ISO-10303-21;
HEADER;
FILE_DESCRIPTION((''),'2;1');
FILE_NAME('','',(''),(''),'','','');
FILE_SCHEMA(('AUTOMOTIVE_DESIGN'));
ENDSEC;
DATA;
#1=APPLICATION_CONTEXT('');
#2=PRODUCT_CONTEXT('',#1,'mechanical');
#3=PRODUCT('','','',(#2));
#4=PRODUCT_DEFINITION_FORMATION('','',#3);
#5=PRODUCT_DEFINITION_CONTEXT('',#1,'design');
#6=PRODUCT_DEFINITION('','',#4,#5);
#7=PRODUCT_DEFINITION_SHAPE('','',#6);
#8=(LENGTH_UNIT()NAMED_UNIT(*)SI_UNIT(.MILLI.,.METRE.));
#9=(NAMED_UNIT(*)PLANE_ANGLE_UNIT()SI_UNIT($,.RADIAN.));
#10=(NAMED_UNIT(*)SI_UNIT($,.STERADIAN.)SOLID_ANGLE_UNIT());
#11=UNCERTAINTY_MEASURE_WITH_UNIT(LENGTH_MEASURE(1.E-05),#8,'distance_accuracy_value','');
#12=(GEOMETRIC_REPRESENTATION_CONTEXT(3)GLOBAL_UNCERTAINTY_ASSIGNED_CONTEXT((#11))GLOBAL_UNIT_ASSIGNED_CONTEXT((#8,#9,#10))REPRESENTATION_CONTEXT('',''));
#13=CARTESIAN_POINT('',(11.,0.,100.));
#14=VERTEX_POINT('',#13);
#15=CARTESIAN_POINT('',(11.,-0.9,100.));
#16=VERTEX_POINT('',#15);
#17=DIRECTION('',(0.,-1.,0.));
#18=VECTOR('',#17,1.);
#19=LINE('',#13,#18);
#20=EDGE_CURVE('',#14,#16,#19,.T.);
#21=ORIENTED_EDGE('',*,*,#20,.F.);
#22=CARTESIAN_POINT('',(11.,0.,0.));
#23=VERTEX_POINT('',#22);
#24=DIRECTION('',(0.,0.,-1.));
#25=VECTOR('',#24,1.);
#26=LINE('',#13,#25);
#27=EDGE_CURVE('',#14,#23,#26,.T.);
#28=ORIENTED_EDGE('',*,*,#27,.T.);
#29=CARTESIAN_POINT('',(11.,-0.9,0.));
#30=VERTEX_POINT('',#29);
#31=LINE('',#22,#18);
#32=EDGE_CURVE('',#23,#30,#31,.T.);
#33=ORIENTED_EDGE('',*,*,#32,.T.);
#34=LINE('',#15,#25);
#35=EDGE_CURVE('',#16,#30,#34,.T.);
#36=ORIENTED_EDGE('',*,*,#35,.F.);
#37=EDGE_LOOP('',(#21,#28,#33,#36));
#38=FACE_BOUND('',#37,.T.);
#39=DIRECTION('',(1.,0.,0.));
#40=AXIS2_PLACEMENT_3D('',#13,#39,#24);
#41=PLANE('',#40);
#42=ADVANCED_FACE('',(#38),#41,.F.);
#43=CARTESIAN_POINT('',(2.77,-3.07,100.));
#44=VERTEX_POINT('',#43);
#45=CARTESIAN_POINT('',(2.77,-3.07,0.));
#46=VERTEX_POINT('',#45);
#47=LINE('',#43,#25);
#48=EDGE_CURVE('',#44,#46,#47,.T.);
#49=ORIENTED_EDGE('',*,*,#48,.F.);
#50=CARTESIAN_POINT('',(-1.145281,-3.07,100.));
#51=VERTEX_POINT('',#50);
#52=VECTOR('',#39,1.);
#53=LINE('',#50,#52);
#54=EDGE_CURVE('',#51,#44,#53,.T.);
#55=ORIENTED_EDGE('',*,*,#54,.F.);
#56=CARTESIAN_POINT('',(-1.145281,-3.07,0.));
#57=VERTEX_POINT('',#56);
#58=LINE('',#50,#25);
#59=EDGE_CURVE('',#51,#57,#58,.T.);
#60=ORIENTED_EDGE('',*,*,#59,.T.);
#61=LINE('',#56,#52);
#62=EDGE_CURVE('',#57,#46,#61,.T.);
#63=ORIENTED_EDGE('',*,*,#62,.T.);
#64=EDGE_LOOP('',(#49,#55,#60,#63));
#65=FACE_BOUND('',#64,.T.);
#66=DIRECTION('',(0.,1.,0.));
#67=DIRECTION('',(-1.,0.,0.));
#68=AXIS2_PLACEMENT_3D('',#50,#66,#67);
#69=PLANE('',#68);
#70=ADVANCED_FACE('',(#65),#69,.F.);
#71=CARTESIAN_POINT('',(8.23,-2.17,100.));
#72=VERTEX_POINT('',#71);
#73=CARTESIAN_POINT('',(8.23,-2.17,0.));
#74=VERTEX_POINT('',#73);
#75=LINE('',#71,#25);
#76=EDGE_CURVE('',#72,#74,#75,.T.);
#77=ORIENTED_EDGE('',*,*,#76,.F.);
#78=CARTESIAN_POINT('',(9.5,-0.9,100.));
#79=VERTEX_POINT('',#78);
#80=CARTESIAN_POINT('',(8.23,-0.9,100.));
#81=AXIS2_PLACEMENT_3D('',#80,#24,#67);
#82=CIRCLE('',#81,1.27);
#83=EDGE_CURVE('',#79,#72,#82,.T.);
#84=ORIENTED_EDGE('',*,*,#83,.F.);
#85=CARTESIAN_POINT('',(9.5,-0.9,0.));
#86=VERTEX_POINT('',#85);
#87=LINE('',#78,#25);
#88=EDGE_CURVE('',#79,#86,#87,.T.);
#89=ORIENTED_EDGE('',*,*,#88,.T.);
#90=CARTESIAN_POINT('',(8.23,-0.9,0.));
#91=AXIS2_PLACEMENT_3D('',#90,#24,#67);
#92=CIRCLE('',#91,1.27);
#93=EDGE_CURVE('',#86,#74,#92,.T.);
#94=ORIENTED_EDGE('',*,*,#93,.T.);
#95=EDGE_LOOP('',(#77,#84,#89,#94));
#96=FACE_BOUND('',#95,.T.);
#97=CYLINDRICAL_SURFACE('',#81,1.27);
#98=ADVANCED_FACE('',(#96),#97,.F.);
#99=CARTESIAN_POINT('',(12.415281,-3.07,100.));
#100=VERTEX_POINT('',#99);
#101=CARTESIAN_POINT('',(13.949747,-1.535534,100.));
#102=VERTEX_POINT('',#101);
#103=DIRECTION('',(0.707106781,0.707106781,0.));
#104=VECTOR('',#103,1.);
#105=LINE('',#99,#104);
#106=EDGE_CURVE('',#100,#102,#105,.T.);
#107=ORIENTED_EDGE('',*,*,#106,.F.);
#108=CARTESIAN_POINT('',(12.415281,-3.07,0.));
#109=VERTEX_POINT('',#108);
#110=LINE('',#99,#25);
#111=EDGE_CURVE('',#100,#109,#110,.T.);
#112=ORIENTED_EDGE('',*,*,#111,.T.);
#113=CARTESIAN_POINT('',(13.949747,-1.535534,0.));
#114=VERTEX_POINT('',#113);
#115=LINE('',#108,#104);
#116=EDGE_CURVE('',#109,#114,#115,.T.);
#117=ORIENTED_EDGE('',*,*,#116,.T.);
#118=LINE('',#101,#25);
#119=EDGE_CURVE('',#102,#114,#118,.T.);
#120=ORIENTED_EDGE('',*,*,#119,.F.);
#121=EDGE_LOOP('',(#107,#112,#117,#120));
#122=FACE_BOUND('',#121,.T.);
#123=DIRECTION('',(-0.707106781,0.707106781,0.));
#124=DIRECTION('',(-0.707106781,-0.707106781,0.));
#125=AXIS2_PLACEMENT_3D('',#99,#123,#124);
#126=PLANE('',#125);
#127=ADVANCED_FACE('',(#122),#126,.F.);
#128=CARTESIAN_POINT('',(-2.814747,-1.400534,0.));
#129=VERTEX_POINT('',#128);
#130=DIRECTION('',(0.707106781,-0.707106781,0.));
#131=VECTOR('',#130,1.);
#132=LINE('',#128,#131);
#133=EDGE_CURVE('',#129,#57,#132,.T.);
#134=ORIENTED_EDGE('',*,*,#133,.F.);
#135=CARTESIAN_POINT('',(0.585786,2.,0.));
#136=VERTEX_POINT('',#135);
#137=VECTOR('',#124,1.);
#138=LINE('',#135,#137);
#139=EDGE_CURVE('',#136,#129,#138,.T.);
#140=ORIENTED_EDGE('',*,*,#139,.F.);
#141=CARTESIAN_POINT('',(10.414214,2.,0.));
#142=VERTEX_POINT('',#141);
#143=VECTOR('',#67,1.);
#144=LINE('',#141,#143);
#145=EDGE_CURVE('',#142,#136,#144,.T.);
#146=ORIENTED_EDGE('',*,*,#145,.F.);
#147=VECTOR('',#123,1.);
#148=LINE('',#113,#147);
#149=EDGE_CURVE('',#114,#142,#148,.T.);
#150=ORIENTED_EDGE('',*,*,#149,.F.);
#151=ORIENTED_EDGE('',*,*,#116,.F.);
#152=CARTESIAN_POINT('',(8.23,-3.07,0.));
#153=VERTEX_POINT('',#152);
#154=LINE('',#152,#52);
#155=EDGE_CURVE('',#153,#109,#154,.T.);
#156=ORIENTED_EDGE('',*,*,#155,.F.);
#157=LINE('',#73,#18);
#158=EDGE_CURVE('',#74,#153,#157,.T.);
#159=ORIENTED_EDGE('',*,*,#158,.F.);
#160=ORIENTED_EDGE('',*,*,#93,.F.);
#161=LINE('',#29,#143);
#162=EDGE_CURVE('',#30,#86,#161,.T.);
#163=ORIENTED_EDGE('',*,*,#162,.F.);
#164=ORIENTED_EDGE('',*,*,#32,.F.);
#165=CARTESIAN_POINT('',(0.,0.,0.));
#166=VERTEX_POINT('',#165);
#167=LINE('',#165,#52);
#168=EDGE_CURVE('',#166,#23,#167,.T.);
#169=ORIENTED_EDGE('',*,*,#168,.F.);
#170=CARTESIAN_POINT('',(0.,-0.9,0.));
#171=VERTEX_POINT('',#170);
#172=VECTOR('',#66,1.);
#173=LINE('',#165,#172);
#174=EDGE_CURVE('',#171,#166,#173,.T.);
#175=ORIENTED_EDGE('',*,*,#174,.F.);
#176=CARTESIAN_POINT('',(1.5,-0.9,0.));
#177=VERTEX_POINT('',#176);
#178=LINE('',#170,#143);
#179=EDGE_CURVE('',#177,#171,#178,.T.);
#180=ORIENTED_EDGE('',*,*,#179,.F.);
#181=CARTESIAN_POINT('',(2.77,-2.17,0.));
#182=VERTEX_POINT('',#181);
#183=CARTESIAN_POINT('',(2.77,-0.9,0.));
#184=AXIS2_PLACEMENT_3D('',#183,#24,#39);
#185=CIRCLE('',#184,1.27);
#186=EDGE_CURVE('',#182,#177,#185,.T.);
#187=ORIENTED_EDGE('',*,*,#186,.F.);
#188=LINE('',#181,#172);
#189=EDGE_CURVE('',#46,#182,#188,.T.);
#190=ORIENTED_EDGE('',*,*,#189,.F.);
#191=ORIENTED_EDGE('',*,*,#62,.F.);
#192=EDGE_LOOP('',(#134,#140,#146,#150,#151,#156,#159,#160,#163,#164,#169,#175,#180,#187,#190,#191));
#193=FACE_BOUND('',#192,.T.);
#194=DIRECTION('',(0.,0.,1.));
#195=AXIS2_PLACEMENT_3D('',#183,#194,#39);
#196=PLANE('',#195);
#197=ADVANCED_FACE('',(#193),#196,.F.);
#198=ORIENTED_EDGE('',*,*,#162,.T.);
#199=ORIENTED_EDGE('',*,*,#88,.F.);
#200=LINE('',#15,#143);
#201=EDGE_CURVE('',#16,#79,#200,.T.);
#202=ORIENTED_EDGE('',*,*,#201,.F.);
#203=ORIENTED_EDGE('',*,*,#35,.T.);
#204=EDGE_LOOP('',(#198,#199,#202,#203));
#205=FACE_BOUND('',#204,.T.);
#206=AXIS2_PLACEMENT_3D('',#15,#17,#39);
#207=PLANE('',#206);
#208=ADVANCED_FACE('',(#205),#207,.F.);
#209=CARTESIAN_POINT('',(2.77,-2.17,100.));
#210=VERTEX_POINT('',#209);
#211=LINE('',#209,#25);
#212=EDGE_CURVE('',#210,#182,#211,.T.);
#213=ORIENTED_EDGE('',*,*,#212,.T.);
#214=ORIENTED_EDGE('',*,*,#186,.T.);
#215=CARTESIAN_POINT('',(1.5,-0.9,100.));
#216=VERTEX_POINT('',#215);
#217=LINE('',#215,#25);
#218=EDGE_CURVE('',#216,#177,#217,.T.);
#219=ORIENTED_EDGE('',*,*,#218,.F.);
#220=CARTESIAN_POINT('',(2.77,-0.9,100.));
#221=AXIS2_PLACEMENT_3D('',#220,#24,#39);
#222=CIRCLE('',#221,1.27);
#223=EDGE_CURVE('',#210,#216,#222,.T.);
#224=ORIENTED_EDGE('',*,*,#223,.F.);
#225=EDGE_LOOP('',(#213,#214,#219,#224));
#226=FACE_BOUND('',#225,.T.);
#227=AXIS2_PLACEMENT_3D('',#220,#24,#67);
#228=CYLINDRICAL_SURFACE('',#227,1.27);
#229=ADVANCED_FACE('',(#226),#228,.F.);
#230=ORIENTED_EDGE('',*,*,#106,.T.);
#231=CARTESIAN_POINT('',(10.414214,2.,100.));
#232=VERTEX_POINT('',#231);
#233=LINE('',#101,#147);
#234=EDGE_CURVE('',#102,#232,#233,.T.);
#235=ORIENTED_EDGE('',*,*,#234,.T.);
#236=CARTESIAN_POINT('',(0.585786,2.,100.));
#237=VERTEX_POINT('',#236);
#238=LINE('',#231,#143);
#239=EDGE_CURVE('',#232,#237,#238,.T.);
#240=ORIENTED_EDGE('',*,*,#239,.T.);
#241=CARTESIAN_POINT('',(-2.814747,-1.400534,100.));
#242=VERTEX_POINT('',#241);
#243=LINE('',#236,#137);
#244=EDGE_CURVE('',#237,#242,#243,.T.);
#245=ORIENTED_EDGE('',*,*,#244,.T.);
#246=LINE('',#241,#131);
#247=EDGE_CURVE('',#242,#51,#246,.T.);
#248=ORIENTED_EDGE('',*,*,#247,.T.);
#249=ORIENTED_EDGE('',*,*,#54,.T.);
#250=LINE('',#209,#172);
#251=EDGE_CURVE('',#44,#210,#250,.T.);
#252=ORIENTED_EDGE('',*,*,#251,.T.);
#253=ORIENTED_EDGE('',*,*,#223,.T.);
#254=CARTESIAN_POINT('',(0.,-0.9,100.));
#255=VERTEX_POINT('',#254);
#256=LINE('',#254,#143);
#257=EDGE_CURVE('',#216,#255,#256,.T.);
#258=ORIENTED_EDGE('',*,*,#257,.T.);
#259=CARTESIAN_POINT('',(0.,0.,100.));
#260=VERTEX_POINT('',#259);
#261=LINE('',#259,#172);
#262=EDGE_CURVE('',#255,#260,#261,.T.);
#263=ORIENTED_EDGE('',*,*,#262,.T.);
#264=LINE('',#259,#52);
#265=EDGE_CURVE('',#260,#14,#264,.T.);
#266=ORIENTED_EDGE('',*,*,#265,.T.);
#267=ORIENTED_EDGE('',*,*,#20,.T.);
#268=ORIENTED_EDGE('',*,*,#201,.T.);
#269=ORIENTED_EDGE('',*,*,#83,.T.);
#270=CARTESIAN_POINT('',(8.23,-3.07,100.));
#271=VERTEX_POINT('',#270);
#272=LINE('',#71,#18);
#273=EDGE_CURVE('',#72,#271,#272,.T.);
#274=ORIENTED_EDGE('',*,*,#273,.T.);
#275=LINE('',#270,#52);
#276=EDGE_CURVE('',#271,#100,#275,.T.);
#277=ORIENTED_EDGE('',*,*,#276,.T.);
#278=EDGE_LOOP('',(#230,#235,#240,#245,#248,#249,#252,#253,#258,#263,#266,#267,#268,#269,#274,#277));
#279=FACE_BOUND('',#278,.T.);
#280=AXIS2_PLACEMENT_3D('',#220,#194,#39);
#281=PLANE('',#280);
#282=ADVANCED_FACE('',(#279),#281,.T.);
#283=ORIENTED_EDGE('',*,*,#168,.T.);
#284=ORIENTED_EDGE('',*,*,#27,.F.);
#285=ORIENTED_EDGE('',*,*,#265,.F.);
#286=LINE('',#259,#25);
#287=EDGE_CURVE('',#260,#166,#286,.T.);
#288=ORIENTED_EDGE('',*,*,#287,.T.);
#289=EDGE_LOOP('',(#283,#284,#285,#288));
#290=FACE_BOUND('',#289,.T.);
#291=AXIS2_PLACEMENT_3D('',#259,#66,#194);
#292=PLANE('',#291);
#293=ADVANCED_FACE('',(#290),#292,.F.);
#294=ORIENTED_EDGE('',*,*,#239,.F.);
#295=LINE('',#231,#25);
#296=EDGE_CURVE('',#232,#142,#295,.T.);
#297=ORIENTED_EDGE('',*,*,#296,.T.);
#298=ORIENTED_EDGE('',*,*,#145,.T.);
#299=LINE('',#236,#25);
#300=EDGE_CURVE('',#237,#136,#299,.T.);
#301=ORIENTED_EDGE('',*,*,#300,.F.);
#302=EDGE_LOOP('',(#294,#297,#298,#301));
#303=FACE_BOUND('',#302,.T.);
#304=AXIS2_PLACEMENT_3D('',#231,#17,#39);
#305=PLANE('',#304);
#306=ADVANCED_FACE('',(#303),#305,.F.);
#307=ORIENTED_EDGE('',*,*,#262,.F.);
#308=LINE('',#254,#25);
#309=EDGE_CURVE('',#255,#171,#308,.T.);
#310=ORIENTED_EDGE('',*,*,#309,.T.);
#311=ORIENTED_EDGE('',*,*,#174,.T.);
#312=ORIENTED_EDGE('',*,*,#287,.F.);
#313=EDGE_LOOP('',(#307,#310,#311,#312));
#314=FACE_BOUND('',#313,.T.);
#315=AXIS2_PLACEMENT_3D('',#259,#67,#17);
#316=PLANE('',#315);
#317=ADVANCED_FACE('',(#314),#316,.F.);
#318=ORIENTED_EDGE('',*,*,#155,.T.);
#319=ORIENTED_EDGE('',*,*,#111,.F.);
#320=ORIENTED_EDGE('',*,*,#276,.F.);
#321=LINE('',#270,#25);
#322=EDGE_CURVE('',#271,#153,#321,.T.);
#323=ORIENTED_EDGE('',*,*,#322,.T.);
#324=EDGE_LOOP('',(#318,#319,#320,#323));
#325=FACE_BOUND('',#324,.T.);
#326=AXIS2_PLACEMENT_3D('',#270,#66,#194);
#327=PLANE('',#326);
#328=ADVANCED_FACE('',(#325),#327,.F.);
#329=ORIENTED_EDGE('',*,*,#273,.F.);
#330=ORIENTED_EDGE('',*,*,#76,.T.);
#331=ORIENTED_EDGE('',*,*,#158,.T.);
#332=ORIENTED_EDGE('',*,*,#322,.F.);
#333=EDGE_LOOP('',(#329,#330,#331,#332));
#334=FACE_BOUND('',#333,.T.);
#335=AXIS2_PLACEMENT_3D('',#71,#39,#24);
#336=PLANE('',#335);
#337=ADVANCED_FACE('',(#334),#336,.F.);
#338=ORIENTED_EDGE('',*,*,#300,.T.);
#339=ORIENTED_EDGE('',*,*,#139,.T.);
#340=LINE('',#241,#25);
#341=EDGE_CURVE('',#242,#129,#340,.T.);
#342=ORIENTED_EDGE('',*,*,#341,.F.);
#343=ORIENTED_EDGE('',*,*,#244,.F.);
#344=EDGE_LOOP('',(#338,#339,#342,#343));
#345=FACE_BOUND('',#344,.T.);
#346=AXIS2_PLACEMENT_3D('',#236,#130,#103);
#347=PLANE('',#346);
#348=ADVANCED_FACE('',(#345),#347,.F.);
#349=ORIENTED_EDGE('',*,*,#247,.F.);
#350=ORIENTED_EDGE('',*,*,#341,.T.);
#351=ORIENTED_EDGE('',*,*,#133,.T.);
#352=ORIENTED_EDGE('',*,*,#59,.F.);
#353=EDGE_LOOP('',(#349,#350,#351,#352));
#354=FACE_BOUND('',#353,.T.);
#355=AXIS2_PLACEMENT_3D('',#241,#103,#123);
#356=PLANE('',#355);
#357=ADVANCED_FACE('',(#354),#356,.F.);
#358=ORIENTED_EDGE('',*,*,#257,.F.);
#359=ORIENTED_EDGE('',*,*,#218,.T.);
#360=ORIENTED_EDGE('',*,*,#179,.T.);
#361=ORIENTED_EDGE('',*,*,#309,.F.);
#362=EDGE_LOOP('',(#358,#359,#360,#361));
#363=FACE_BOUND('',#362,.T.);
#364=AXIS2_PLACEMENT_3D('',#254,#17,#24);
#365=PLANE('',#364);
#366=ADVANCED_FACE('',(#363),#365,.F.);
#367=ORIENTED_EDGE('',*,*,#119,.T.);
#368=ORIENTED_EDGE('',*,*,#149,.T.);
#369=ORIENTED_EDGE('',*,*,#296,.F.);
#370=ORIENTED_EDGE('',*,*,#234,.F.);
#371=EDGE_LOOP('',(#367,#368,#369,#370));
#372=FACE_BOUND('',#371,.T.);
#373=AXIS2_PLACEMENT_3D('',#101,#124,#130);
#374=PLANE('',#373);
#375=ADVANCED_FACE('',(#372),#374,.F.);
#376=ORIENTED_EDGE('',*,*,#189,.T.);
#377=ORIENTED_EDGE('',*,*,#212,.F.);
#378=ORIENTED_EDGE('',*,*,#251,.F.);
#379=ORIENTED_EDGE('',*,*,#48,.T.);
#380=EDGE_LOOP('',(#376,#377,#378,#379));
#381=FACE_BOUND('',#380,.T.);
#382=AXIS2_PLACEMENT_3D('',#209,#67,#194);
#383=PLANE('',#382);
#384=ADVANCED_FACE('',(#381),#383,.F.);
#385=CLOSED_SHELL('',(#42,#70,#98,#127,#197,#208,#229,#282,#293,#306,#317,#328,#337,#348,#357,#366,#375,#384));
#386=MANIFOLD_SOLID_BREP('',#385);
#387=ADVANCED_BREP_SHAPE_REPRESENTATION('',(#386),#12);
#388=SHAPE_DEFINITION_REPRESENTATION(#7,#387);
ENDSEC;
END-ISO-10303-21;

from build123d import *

# Parameters (mm, degrees)
BOSS_EXTRUDE1_DEPTH = 100


with BuildPart() as part:
    # Sketch1 → Boss-Extrude1 (new body)
    with BuildSketch(Plane.XY):
        with BuildLine():
            Line((0, 0), (11, 0))
            Line((11, 0), (11, -0.9))
            Line((11, -0.9), (9.5, -0.9))
            ThreePointArc((9.5, -0.9), (9.128025612, -1.798025612), (8.23, -2.17))
            Line((8.23, -2.17), (8.23, -3.07))
            Line((8.23, -3.07), (12.415281374, -3.07))
            Line((12.415281374, -3.07), (13.949747468, -1.535533906))
            Line((13.949747468, -1.535533906), (10.414213562, 2))
            Line((10.414213562, 2), (0.585786438, 2))
            Line((0.585786438, 2), (-2.814747468, -1.400533906))
            Line((-2.814747468, -1.400533906), (-1.145281374, -3.07))
            Line((-1.145281374, -3.07), (2.77, -3.07))
            Line((2.77, -3.07), (2.77, -2.17))
            ThreePointArc((2.77, -2.17), (1.871974388, -1.798025612), (1.5, -0.9))
            Line((1.5, -0.9), (0, -0.9))
            Line((0, -0.9), (0, 0))
        make_face()
    extrude(amount=BOSS_EXTRUDE1_DEPTH)


solid = part.part
